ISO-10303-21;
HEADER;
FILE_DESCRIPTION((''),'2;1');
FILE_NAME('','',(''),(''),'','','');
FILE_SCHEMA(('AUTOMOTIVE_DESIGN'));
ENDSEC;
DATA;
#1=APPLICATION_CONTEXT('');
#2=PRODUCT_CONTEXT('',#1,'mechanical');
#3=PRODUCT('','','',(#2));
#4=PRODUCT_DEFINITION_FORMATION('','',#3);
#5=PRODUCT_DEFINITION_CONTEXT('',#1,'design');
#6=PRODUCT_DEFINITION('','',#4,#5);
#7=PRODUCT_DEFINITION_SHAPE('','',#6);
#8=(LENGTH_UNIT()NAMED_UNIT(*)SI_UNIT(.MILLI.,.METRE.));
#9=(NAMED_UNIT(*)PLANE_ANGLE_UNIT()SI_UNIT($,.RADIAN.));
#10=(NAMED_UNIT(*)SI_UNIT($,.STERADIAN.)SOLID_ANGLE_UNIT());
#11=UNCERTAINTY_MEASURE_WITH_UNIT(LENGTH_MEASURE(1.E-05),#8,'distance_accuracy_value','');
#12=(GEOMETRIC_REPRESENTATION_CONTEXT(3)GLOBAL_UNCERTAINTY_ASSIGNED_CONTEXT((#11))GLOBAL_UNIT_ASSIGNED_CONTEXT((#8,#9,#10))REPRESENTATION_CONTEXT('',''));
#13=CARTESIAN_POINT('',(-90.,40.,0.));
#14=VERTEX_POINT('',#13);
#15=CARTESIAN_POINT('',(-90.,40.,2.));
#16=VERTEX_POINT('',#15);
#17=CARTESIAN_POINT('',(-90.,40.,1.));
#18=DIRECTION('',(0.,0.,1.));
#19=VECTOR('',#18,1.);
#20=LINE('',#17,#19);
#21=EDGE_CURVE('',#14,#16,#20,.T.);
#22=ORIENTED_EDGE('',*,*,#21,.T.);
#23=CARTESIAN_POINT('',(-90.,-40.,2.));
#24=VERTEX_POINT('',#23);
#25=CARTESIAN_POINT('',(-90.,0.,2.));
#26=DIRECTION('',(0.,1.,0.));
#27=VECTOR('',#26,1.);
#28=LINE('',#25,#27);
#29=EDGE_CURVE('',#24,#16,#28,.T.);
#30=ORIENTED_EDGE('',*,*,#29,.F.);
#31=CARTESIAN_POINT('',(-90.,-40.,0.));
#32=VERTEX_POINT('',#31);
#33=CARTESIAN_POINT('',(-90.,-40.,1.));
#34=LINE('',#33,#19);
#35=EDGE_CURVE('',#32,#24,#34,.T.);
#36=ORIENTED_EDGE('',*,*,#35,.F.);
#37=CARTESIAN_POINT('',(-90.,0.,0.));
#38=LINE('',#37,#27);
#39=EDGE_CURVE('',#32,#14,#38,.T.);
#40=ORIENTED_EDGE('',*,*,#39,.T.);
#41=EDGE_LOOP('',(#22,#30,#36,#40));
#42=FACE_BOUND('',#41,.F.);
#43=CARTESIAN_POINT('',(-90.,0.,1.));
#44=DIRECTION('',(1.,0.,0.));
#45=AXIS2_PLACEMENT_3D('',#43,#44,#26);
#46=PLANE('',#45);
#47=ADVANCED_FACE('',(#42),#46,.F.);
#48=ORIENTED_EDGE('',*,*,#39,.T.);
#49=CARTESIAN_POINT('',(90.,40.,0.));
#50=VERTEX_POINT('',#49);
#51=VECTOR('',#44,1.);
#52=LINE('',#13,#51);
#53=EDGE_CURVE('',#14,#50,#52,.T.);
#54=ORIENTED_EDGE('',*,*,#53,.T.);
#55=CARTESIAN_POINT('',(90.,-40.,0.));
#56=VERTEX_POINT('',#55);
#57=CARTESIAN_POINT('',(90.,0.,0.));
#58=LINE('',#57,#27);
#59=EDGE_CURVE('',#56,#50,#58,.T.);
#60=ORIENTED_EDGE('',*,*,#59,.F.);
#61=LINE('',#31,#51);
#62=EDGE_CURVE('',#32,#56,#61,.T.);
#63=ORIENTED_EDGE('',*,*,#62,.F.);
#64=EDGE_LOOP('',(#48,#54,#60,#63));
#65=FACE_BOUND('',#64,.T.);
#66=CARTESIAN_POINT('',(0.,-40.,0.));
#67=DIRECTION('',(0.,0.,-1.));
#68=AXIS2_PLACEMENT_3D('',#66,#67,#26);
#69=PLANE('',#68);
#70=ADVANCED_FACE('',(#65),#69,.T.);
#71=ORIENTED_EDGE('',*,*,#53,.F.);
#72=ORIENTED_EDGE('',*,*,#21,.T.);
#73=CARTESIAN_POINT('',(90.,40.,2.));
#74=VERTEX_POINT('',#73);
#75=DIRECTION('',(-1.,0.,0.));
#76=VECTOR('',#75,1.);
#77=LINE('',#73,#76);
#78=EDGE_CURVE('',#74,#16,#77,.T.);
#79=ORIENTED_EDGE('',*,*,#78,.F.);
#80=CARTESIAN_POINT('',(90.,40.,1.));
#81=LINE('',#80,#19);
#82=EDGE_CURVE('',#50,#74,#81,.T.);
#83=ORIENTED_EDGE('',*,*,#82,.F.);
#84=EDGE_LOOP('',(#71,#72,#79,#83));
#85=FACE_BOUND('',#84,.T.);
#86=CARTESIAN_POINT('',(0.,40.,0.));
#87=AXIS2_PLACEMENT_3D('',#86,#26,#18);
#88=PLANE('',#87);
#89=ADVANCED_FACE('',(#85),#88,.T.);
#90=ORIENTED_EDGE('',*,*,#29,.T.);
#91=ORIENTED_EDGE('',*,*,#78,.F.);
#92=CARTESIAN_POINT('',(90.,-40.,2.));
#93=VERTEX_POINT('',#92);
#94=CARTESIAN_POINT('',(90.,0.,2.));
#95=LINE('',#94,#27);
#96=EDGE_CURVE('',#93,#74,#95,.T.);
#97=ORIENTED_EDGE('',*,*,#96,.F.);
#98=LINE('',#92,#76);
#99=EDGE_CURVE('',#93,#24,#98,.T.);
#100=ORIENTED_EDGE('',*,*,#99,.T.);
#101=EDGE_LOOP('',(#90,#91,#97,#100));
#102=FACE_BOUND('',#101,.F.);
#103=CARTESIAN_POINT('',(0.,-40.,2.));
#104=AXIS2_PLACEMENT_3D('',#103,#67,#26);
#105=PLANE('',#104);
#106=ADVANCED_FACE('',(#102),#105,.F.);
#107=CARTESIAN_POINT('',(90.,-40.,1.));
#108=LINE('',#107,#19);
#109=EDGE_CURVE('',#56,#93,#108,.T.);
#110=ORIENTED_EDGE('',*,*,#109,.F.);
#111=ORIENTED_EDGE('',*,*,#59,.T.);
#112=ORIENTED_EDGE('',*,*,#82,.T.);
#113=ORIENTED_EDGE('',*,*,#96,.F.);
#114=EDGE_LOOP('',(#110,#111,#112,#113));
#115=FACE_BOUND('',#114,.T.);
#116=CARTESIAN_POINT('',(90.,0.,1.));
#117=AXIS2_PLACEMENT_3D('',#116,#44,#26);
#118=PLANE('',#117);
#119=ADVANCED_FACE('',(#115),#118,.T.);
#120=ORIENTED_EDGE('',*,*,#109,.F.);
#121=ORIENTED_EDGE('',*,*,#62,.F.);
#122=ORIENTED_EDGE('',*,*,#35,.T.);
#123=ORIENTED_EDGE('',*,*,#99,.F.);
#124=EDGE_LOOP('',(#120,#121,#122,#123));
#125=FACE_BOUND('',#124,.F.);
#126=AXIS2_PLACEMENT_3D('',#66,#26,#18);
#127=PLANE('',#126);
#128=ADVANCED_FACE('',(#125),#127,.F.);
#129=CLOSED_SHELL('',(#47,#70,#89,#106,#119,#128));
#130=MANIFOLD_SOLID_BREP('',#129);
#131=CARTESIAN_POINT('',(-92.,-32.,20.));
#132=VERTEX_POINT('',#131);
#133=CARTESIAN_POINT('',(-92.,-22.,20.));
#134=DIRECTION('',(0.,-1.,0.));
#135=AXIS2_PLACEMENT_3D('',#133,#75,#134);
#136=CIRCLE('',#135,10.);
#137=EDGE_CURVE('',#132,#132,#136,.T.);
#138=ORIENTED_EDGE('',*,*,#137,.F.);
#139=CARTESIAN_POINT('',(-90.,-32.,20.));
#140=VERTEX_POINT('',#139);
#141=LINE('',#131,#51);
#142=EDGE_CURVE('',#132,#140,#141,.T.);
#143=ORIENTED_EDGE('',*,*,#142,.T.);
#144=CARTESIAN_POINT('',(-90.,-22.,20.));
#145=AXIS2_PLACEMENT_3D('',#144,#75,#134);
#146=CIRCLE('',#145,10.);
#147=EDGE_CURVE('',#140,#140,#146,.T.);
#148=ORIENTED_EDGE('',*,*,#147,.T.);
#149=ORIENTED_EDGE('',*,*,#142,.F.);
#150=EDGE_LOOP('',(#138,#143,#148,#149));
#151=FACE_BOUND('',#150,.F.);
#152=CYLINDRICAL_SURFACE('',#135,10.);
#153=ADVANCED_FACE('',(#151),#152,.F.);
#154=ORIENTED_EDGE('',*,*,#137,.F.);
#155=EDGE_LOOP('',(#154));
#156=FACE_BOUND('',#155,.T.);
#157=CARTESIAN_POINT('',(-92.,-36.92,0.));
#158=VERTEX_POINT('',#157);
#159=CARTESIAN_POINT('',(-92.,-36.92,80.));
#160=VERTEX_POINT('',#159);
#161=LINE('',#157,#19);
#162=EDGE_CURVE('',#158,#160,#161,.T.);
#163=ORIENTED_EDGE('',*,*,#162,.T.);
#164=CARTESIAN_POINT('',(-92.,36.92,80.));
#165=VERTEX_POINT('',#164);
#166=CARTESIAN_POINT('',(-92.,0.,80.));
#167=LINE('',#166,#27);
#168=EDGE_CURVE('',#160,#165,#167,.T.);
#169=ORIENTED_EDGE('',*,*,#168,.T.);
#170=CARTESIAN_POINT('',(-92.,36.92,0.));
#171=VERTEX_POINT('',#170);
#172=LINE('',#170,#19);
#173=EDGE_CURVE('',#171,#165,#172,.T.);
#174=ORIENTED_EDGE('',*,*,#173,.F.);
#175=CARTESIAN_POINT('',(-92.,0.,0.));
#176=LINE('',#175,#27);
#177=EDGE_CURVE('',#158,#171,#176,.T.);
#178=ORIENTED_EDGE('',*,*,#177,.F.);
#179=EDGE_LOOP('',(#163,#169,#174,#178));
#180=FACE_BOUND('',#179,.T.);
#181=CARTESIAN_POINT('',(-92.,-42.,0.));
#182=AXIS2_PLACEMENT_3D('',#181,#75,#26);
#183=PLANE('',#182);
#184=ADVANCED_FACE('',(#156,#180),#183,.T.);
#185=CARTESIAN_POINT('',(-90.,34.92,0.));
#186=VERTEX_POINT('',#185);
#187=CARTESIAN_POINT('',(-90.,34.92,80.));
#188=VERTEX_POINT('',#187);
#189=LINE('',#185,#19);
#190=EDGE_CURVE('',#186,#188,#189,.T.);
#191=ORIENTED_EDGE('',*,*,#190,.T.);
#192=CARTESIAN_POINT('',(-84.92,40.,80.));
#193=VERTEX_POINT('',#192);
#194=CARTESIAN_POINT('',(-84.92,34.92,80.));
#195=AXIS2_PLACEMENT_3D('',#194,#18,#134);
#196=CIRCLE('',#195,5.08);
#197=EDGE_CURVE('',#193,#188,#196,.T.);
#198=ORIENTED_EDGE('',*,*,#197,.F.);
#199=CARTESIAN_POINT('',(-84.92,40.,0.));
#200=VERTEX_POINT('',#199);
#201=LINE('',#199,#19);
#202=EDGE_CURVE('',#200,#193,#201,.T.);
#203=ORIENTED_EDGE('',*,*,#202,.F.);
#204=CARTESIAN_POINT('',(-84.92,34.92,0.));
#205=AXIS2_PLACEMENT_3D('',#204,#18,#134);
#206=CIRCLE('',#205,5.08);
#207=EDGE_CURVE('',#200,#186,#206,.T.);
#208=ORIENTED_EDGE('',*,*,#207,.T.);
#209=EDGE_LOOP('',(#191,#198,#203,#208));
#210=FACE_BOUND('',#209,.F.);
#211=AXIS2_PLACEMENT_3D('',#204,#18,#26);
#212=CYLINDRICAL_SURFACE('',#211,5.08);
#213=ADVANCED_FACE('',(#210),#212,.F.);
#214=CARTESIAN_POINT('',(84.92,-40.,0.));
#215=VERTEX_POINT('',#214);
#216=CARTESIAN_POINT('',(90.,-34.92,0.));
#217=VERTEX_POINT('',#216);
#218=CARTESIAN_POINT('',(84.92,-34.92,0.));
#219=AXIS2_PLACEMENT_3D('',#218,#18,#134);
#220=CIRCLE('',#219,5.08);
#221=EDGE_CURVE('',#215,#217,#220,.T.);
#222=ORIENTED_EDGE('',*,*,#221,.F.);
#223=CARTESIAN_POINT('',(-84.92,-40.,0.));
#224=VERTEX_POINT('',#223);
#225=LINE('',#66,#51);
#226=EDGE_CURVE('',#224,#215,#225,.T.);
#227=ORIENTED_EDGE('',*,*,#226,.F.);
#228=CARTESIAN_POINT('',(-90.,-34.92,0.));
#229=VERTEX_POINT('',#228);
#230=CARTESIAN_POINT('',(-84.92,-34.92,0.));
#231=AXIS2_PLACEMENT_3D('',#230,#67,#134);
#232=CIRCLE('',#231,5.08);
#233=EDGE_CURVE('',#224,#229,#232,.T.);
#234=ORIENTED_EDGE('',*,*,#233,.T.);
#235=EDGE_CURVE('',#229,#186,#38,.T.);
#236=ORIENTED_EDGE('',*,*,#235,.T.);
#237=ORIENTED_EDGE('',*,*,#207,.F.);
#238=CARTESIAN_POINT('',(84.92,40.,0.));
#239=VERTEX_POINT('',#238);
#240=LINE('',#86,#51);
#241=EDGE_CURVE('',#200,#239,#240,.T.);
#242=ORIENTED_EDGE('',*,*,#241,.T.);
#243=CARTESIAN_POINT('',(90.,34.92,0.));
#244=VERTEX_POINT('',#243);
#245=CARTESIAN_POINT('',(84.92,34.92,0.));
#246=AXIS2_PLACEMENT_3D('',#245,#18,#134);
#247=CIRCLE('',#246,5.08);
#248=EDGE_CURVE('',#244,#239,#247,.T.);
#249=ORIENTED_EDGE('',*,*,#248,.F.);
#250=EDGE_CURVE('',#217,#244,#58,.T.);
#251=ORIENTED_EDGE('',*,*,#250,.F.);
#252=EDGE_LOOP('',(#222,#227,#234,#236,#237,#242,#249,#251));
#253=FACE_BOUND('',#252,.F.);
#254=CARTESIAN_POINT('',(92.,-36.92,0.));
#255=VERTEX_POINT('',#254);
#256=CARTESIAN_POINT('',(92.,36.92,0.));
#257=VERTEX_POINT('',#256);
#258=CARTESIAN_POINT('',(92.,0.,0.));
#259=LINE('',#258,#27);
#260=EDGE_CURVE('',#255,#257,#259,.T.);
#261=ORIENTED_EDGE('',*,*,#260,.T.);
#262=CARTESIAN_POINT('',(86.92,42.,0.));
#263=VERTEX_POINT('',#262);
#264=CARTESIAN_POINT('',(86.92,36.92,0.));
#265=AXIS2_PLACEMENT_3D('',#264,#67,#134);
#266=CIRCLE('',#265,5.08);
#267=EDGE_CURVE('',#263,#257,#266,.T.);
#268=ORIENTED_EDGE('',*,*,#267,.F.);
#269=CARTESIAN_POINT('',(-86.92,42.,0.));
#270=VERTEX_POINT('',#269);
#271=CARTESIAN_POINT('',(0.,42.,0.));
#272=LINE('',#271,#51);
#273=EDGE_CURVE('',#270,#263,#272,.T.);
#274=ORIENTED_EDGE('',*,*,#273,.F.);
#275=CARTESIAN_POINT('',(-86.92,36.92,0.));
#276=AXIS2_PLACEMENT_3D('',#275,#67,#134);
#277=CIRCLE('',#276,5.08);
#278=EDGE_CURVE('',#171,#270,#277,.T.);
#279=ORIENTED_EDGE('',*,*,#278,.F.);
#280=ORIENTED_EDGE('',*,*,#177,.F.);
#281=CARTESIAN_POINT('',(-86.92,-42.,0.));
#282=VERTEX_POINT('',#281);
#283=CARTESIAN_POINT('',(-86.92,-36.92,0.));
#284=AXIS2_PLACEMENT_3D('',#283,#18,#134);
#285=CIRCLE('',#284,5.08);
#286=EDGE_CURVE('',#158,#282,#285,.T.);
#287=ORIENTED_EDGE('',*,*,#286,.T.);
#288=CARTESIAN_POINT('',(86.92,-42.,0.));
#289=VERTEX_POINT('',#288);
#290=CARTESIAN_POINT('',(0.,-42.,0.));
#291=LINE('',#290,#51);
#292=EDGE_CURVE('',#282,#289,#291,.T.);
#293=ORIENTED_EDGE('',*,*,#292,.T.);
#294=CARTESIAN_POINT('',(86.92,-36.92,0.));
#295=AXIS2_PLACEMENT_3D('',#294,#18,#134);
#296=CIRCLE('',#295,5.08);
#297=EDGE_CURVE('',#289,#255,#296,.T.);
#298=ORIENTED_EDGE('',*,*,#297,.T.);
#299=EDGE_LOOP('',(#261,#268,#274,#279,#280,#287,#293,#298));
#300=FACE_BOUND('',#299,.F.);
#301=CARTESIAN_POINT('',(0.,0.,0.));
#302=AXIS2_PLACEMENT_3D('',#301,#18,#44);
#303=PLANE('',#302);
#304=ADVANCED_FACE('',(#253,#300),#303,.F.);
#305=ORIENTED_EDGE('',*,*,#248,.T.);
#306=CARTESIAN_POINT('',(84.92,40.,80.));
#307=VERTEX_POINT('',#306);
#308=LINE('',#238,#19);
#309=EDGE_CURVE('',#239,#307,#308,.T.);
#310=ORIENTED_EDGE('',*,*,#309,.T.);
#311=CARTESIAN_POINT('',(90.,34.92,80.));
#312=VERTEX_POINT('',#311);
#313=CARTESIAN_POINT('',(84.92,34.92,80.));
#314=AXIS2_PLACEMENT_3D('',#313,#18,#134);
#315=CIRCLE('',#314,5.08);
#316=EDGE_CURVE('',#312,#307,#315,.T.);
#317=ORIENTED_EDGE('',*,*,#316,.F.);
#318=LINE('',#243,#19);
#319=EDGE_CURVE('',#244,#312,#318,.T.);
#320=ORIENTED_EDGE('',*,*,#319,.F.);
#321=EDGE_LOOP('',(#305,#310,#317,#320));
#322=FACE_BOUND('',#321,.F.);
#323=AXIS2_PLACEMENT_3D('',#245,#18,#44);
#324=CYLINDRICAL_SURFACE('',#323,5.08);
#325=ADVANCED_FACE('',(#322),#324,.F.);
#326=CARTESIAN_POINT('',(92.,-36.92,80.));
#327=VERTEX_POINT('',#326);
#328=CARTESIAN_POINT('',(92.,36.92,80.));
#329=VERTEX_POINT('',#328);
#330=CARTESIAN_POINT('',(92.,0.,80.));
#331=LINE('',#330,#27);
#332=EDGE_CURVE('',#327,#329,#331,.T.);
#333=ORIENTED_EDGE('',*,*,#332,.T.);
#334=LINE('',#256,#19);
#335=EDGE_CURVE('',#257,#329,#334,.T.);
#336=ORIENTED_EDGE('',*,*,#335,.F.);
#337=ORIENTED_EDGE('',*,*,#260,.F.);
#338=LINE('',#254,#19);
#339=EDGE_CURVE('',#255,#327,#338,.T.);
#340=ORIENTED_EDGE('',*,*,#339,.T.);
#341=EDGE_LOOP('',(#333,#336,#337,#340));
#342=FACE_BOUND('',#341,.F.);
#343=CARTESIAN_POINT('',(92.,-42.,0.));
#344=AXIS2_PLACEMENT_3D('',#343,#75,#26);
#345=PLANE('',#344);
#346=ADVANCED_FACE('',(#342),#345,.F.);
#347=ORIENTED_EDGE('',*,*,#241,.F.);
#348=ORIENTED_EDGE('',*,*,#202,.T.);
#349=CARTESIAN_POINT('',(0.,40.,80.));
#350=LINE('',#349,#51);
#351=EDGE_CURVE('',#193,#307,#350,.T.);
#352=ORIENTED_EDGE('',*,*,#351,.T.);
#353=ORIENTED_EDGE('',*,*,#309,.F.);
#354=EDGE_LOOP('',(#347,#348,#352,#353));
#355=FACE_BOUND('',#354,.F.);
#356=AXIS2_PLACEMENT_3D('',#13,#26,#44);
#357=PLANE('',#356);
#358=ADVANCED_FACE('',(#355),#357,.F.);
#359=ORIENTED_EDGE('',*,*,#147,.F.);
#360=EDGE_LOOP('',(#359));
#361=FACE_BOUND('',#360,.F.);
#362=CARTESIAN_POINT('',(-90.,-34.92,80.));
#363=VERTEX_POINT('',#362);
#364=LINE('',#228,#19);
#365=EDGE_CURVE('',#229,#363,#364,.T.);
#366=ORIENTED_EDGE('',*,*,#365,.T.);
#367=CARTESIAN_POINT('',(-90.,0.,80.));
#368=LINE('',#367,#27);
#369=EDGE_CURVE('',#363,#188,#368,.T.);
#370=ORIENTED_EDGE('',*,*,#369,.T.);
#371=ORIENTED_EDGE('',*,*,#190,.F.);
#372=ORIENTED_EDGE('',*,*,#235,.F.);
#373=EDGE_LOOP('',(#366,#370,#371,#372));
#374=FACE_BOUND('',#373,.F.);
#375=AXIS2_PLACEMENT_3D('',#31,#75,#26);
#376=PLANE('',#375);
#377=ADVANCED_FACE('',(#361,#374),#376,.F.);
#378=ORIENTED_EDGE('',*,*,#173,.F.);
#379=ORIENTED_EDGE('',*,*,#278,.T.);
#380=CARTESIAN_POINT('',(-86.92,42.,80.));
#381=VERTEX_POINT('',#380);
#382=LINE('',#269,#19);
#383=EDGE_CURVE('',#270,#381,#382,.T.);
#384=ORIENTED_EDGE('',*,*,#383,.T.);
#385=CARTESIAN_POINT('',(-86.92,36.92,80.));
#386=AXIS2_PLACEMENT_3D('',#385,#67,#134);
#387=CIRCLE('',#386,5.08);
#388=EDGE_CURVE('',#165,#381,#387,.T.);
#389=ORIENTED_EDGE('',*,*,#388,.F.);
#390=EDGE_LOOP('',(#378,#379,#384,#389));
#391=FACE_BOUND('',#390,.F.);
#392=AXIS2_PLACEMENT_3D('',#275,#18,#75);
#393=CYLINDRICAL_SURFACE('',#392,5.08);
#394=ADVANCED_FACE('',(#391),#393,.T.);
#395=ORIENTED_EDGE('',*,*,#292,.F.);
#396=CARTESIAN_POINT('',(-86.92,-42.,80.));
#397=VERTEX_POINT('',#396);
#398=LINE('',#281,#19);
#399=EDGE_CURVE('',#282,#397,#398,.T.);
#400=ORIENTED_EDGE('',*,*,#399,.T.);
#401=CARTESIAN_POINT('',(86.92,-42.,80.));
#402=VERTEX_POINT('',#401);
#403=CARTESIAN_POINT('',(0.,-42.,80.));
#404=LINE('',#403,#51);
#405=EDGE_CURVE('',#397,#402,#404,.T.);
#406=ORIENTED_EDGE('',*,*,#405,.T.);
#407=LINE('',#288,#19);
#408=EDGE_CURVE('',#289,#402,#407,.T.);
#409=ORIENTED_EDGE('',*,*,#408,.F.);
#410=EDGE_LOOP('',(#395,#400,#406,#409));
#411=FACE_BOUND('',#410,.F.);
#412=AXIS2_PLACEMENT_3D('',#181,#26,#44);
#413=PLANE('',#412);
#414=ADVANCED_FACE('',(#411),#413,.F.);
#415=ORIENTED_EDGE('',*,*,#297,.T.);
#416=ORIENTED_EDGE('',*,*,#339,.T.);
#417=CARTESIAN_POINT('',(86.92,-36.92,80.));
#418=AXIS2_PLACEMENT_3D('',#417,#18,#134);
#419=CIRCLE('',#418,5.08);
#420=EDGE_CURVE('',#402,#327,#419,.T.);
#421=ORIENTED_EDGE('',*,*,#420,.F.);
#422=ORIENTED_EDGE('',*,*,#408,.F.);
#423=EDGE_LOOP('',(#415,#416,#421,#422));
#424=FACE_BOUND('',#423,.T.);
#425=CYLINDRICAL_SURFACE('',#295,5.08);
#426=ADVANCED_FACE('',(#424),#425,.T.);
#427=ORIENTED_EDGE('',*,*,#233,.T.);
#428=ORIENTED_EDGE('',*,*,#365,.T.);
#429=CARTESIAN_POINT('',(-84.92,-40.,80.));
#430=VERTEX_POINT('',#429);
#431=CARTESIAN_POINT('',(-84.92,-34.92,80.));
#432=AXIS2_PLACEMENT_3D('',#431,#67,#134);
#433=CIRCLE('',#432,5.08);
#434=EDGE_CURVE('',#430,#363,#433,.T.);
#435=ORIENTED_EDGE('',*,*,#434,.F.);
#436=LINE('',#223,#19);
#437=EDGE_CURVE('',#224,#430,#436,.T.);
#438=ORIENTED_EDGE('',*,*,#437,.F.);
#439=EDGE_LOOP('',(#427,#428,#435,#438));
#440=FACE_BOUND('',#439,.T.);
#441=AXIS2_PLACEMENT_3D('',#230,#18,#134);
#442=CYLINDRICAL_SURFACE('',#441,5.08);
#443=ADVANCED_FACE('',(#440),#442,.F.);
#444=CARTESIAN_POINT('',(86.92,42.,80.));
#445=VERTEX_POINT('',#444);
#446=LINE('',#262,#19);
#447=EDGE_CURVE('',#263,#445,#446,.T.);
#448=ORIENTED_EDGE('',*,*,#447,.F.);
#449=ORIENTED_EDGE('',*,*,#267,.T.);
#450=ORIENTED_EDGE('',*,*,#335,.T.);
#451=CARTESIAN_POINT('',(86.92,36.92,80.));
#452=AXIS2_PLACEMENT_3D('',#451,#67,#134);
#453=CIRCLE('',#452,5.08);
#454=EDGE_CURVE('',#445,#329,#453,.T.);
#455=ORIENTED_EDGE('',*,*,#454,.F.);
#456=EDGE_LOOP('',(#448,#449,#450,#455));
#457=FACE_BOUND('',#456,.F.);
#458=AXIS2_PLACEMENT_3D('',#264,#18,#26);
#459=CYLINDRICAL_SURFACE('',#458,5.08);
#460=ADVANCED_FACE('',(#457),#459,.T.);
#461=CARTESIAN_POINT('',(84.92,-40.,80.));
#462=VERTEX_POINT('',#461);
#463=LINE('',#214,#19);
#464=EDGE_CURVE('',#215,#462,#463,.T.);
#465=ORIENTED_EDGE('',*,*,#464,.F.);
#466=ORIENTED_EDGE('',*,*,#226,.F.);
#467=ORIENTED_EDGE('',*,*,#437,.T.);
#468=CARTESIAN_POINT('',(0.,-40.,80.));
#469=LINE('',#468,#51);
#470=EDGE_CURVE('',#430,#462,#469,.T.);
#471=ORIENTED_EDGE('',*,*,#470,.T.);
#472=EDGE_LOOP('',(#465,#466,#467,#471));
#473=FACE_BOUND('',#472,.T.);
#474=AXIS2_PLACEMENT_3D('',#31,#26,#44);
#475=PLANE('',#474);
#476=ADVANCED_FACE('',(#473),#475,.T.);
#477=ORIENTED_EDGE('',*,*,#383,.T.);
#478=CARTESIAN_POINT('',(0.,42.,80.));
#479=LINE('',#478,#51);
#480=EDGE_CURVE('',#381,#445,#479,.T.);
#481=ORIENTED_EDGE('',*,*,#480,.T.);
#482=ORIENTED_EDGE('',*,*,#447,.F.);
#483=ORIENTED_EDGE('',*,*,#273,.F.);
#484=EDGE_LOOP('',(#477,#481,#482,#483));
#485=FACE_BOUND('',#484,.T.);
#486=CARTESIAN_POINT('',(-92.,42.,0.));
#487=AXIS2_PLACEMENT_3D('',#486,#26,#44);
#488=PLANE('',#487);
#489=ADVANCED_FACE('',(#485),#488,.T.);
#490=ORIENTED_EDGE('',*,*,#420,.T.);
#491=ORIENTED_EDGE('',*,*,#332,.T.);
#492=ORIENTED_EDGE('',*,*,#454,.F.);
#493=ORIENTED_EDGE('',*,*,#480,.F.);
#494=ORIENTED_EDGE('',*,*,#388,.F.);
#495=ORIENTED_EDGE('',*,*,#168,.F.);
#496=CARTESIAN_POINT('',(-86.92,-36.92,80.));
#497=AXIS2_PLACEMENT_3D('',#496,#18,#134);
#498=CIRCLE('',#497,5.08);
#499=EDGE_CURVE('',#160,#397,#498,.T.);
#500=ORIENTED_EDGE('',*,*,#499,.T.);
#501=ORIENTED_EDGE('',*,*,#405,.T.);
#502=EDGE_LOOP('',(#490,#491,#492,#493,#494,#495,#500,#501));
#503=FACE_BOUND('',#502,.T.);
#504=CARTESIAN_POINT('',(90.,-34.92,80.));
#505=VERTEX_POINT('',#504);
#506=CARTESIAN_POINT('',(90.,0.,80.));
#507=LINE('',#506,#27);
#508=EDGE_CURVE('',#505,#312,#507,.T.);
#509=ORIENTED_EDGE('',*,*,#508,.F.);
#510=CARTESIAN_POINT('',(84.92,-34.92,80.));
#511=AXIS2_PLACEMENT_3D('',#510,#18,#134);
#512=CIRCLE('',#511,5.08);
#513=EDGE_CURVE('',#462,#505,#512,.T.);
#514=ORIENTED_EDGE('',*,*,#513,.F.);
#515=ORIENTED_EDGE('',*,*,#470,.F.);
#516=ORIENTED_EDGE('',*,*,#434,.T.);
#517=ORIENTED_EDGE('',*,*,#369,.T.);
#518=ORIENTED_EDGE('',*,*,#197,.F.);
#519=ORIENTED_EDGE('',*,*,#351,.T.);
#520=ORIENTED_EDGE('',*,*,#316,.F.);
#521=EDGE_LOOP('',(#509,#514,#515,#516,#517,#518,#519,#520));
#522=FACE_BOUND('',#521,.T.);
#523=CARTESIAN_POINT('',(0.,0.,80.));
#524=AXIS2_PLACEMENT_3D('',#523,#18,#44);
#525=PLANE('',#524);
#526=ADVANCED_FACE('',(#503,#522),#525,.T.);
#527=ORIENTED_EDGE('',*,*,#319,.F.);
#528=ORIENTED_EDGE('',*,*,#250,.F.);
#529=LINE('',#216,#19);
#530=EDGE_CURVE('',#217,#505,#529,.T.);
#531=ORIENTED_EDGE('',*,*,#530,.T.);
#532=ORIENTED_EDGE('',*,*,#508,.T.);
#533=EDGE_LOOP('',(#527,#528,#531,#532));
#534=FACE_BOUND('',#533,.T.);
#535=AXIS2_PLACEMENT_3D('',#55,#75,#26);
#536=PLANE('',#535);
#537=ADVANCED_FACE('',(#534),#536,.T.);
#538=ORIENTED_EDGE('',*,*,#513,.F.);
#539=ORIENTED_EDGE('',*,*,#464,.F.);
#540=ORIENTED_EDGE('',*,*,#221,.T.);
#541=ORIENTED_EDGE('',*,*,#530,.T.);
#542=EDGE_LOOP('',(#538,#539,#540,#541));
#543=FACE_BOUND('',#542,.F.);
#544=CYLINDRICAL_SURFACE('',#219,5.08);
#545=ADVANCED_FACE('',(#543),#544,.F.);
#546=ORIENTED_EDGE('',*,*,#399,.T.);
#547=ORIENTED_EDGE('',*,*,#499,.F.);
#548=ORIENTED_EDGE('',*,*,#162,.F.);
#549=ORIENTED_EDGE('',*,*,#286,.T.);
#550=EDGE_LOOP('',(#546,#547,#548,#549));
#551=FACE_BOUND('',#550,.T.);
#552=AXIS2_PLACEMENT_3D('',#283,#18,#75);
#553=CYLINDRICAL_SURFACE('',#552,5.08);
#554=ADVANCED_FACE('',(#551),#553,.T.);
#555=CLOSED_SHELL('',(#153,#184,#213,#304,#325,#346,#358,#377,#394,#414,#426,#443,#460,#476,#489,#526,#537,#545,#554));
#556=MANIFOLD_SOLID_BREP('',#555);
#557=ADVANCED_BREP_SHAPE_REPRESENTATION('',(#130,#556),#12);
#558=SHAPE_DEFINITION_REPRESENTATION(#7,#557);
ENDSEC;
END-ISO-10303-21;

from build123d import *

# Parameters (mm, degrees)
F0_W     = 184
F0_H     = 84
F0_W_2   = 180
F0_H_2   = 80
F1_DEPTH = 80
F2_W     = 80
F2_H     = 2
F3_DEPTH = 90
F4_R     = 10
F5_DEPTH = 2
F6_R     = 5.08


with BuildPart() as f1:
    # F0 (on Top) → F1 (new body)
    with BuildSketch(Plane.XY):
        Rectangle(F0_W, F0_H)
        Rectangle(F0_W_2, F0_H_2, mode=Mode.SUBTRACT)
    extrude(amount=F1_DEPTH)

    # F4 (on face) → F5 (cut)
    with BuildSketch(Plane(origin=(-92, 0, 0), x_dir=(0, -1, 0), z_dir=(-1, 0, 0))):
        with Locations((22, 20)):
            Circle(F4_R)
    extrude(amount=-F5_DEPTH, mode=Mode.SUBTRACT)

    # F6
    f6_edges = [f1.edges().sort_by_distance(p)[0] for p in [
        (-92, -42, 40),
        (-90, -40, 40),
        (-92, 42, 40),
        (-90, 40, 40),
        (90, 40, 40),
        (92, 42, 40),
        (92, -42, 40),
        (90, -40, 40),
    ]]
    fillet(f6_edges, radius=F6_R)


with BuildPart() as f3:
    # F2 (on Right) → F3 (new body, symmetric)
    with BuildSketch(Plane.YZ):
        with Locations((0, 1)):
            Rectangle(F2_W, F2_H)
    extrude(amount=F3_DEPTH, both=True)


solid = Compound([f1.part, f3.part])
